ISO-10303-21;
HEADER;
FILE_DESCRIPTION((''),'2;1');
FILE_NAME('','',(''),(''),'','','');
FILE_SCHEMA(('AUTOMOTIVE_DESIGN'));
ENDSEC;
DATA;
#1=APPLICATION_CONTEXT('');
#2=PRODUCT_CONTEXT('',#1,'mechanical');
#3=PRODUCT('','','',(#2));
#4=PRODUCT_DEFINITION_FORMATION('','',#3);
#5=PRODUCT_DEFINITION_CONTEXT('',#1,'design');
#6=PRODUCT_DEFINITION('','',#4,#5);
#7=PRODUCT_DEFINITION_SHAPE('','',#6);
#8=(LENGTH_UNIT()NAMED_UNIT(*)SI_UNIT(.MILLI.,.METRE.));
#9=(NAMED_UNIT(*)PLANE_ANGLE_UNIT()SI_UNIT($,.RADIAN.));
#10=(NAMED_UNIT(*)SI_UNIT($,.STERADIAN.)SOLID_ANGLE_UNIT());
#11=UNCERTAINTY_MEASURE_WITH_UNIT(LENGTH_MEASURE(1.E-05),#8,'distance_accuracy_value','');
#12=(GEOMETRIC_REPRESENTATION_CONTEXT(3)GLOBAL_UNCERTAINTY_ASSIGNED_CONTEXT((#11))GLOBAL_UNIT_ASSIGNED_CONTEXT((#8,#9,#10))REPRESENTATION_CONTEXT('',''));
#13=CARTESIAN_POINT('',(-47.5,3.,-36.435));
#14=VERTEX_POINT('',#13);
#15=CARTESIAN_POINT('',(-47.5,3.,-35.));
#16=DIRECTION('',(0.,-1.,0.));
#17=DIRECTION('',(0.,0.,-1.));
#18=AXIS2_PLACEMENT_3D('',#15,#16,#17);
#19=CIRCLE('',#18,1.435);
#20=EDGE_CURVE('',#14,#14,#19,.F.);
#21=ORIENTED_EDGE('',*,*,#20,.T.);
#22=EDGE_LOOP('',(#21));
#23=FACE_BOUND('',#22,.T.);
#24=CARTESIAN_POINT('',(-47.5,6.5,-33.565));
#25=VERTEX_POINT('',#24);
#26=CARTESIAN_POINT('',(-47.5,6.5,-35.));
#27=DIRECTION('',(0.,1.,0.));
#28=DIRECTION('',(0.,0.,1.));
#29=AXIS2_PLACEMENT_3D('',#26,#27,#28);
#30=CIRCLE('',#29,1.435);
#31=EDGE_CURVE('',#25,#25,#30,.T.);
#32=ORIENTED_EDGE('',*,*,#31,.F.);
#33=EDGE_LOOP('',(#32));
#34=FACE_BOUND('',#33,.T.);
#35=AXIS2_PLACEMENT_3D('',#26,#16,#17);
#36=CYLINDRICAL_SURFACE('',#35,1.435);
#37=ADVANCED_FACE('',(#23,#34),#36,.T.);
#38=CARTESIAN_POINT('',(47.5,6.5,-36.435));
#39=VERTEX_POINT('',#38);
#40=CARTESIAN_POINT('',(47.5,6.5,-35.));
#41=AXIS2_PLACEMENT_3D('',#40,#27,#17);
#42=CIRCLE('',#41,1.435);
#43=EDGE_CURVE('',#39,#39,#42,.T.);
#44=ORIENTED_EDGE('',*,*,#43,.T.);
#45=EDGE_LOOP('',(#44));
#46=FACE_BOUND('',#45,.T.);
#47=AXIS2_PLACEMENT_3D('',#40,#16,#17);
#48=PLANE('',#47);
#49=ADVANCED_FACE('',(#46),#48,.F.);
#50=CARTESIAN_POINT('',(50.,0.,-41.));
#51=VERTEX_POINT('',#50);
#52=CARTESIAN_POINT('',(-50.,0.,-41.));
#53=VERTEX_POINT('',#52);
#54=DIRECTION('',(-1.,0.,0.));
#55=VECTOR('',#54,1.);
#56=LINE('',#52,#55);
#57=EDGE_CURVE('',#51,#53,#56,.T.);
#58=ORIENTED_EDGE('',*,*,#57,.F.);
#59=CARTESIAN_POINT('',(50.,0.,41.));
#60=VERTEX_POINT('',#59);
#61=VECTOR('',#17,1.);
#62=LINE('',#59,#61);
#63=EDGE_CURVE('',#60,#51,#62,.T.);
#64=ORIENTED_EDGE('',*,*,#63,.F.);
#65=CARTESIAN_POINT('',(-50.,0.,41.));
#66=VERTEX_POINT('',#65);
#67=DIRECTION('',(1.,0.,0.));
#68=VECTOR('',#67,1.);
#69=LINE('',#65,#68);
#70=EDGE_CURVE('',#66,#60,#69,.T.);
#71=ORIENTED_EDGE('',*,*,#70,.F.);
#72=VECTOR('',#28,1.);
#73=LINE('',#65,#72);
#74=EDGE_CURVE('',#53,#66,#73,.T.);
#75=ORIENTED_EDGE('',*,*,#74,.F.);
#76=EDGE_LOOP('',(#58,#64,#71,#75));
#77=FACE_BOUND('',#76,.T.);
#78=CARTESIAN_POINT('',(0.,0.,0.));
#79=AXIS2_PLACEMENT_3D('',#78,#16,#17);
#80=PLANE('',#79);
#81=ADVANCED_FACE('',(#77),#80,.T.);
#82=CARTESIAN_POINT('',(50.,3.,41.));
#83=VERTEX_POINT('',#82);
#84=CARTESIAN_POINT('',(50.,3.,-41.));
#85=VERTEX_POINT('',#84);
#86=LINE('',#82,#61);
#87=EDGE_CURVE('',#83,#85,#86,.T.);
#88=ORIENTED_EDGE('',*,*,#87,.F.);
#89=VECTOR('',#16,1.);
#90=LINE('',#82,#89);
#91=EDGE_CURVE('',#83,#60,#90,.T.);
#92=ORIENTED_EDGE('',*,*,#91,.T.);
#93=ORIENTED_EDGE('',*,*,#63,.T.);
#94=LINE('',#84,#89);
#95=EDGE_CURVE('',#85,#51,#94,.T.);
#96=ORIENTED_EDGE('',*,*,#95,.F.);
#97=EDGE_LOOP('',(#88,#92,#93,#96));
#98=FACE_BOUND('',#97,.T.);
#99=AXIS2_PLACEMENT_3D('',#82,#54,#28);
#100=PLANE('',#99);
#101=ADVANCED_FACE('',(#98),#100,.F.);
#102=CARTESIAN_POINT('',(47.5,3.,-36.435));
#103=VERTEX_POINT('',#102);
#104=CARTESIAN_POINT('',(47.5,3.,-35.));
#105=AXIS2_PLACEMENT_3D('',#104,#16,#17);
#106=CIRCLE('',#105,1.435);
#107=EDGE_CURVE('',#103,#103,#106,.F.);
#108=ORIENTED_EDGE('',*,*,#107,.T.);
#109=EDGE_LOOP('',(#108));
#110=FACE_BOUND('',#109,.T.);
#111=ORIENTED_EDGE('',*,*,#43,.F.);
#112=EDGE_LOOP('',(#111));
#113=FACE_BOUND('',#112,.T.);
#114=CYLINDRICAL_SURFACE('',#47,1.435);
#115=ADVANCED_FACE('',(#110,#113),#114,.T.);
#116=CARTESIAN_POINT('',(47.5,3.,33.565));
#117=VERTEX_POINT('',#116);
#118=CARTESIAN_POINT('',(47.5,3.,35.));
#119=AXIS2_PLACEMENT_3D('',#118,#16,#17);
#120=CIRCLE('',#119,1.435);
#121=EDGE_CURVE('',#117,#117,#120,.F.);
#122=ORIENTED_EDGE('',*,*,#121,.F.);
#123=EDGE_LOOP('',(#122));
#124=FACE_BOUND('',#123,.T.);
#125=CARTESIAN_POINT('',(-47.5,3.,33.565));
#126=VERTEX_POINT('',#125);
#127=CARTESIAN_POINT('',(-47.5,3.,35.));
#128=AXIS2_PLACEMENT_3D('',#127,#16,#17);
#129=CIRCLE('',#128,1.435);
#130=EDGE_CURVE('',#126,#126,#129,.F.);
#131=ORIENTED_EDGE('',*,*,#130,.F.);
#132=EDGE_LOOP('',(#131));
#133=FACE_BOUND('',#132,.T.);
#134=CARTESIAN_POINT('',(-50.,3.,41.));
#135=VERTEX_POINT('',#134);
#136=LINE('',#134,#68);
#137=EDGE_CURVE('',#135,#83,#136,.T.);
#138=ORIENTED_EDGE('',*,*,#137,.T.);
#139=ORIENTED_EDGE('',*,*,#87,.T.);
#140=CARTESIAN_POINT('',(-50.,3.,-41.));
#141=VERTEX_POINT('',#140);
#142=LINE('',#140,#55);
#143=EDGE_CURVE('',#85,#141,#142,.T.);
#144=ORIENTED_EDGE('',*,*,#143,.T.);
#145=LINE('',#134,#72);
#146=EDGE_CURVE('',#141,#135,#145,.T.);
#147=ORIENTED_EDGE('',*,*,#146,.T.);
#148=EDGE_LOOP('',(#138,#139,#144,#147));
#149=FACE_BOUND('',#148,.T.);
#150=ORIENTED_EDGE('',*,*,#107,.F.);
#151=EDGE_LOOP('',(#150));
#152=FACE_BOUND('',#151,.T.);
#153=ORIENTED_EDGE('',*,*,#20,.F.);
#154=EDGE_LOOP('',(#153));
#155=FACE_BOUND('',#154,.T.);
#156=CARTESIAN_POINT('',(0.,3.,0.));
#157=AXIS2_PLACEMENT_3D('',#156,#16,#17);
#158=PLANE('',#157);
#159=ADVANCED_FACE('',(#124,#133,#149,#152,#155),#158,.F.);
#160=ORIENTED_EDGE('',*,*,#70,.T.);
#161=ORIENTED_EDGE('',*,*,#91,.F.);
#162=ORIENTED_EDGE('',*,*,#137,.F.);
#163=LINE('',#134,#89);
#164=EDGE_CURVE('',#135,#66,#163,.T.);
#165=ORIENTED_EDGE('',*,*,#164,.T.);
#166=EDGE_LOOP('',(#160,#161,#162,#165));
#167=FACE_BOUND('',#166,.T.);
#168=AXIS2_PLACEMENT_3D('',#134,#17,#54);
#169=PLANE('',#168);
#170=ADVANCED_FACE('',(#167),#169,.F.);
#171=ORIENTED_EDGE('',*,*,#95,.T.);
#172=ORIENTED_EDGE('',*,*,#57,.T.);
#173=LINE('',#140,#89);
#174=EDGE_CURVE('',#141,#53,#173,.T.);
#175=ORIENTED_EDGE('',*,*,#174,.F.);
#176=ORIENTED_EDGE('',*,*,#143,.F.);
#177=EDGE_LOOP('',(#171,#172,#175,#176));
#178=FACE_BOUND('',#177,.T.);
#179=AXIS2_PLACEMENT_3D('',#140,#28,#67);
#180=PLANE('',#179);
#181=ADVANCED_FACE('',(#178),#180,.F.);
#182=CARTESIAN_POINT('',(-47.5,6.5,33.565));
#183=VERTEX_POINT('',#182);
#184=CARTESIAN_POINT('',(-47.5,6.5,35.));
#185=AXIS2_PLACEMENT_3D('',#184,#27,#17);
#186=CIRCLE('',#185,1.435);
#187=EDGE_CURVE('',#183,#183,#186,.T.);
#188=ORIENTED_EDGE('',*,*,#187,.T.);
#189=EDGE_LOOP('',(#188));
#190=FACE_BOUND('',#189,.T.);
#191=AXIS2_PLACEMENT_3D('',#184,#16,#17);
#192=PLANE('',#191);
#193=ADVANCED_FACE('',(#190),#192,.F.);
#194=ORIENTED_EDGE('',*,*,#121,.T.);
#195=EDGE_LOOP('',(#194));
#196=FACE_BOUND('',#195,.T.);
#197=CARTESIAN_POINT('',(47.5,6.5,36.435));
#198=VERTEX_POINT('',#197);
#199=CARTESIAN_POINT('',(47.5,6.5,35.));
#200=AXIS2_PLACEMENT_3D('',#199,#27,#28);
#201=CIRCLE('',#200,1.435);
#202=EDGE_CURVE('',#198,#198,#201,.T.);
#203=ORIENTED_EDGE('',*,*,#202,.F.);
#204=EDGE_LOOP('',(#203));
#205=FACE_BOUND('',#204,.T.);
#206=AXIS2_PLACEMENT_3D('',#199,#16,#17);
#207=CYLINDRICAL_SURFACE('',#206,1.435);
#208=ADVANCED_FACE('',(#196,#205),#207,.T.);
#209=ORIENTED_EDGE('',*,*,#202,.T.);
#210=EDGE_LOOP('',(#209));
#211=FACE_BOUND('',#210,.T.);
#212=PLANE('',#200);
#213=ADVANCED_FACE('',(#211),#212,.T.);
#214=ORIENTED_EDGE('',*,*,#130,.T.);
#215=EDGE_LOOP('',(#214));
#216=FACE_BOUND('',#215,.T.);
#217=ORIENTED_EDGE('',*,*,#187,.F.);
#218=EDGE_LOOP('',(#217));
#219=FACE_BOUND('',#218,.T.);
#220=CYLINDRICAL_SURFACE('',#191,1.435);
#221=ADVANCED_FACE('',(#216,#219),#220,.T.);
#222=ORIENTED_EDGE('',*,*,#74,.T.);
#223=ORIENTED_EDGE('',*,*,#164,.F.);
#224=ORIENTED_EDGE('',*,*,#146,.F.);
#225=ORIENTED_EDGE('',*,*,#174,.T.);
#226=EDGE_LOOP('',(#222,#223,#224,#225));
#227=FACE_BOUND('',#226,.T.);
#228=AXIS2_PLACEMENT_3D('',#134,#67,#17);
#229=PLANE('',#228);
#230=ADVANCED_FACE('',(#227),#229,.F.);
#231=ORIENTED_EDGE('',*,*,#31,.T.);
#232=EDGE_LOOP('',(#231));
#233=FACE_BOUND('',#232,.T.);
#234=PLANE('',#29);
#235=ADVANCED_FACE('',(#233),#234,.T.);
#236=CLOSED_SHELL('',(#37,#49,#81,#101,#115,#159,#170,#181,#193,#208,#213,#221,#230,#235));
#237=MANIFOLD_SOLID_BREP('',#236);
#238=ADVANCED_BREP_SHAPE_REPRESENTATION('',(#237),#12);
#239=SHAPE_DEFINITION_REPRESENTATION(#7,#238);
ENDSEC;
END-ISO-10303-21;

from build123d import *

# Parameters (mm, degrees)
SKETCH1_W           = 100
SKETCH1_H           = 82
BOSS_EXTRUDE1_DEPTH = 3
SKETCH4_R           = 1.435
BOSS_EXTRUDE2_DEPTH = 3.5


with BuildPart() as part:
    # Sketch1 → Boss-Extrude1 (new body)
    with BuildSketch(Plane(origin=(0, 0, 0), x_dir=(1, 0, 0), z_dir=(0, 1, 0))):
        Rectangle(SKETCH1_W, SKETCH1_H)
    extrude(amount=BOSS_EXTRUDE1_DEPTH)

    # Sketch4 → Boss-Extrude2 (add)
    with BuildSketch(Plane(origin=(0, 3, 0), x_dir=(1, 0, 0), z_dir=(0, 1, 0))):
        with Locations(Location((-47.5, 35, 0), (0, 0, 90))):
            Circle(SKETCH4_R)
        with Locations(Location((47.5, 35, 0), (0, 0, 90))):
            Circle(SKETCH4_R)
        with Locations(Location((47.5, -35, 0), (0, 0, 90))):
            Circle(SKETCH4_R)
        with Locations(Location((-47.5, -35, 0), (0, 0, 90))):
            Circle(SKETCH4_R)
    extrude(amount=BOSS_EXTRUDE2_DEPTH)


solid = part.part
